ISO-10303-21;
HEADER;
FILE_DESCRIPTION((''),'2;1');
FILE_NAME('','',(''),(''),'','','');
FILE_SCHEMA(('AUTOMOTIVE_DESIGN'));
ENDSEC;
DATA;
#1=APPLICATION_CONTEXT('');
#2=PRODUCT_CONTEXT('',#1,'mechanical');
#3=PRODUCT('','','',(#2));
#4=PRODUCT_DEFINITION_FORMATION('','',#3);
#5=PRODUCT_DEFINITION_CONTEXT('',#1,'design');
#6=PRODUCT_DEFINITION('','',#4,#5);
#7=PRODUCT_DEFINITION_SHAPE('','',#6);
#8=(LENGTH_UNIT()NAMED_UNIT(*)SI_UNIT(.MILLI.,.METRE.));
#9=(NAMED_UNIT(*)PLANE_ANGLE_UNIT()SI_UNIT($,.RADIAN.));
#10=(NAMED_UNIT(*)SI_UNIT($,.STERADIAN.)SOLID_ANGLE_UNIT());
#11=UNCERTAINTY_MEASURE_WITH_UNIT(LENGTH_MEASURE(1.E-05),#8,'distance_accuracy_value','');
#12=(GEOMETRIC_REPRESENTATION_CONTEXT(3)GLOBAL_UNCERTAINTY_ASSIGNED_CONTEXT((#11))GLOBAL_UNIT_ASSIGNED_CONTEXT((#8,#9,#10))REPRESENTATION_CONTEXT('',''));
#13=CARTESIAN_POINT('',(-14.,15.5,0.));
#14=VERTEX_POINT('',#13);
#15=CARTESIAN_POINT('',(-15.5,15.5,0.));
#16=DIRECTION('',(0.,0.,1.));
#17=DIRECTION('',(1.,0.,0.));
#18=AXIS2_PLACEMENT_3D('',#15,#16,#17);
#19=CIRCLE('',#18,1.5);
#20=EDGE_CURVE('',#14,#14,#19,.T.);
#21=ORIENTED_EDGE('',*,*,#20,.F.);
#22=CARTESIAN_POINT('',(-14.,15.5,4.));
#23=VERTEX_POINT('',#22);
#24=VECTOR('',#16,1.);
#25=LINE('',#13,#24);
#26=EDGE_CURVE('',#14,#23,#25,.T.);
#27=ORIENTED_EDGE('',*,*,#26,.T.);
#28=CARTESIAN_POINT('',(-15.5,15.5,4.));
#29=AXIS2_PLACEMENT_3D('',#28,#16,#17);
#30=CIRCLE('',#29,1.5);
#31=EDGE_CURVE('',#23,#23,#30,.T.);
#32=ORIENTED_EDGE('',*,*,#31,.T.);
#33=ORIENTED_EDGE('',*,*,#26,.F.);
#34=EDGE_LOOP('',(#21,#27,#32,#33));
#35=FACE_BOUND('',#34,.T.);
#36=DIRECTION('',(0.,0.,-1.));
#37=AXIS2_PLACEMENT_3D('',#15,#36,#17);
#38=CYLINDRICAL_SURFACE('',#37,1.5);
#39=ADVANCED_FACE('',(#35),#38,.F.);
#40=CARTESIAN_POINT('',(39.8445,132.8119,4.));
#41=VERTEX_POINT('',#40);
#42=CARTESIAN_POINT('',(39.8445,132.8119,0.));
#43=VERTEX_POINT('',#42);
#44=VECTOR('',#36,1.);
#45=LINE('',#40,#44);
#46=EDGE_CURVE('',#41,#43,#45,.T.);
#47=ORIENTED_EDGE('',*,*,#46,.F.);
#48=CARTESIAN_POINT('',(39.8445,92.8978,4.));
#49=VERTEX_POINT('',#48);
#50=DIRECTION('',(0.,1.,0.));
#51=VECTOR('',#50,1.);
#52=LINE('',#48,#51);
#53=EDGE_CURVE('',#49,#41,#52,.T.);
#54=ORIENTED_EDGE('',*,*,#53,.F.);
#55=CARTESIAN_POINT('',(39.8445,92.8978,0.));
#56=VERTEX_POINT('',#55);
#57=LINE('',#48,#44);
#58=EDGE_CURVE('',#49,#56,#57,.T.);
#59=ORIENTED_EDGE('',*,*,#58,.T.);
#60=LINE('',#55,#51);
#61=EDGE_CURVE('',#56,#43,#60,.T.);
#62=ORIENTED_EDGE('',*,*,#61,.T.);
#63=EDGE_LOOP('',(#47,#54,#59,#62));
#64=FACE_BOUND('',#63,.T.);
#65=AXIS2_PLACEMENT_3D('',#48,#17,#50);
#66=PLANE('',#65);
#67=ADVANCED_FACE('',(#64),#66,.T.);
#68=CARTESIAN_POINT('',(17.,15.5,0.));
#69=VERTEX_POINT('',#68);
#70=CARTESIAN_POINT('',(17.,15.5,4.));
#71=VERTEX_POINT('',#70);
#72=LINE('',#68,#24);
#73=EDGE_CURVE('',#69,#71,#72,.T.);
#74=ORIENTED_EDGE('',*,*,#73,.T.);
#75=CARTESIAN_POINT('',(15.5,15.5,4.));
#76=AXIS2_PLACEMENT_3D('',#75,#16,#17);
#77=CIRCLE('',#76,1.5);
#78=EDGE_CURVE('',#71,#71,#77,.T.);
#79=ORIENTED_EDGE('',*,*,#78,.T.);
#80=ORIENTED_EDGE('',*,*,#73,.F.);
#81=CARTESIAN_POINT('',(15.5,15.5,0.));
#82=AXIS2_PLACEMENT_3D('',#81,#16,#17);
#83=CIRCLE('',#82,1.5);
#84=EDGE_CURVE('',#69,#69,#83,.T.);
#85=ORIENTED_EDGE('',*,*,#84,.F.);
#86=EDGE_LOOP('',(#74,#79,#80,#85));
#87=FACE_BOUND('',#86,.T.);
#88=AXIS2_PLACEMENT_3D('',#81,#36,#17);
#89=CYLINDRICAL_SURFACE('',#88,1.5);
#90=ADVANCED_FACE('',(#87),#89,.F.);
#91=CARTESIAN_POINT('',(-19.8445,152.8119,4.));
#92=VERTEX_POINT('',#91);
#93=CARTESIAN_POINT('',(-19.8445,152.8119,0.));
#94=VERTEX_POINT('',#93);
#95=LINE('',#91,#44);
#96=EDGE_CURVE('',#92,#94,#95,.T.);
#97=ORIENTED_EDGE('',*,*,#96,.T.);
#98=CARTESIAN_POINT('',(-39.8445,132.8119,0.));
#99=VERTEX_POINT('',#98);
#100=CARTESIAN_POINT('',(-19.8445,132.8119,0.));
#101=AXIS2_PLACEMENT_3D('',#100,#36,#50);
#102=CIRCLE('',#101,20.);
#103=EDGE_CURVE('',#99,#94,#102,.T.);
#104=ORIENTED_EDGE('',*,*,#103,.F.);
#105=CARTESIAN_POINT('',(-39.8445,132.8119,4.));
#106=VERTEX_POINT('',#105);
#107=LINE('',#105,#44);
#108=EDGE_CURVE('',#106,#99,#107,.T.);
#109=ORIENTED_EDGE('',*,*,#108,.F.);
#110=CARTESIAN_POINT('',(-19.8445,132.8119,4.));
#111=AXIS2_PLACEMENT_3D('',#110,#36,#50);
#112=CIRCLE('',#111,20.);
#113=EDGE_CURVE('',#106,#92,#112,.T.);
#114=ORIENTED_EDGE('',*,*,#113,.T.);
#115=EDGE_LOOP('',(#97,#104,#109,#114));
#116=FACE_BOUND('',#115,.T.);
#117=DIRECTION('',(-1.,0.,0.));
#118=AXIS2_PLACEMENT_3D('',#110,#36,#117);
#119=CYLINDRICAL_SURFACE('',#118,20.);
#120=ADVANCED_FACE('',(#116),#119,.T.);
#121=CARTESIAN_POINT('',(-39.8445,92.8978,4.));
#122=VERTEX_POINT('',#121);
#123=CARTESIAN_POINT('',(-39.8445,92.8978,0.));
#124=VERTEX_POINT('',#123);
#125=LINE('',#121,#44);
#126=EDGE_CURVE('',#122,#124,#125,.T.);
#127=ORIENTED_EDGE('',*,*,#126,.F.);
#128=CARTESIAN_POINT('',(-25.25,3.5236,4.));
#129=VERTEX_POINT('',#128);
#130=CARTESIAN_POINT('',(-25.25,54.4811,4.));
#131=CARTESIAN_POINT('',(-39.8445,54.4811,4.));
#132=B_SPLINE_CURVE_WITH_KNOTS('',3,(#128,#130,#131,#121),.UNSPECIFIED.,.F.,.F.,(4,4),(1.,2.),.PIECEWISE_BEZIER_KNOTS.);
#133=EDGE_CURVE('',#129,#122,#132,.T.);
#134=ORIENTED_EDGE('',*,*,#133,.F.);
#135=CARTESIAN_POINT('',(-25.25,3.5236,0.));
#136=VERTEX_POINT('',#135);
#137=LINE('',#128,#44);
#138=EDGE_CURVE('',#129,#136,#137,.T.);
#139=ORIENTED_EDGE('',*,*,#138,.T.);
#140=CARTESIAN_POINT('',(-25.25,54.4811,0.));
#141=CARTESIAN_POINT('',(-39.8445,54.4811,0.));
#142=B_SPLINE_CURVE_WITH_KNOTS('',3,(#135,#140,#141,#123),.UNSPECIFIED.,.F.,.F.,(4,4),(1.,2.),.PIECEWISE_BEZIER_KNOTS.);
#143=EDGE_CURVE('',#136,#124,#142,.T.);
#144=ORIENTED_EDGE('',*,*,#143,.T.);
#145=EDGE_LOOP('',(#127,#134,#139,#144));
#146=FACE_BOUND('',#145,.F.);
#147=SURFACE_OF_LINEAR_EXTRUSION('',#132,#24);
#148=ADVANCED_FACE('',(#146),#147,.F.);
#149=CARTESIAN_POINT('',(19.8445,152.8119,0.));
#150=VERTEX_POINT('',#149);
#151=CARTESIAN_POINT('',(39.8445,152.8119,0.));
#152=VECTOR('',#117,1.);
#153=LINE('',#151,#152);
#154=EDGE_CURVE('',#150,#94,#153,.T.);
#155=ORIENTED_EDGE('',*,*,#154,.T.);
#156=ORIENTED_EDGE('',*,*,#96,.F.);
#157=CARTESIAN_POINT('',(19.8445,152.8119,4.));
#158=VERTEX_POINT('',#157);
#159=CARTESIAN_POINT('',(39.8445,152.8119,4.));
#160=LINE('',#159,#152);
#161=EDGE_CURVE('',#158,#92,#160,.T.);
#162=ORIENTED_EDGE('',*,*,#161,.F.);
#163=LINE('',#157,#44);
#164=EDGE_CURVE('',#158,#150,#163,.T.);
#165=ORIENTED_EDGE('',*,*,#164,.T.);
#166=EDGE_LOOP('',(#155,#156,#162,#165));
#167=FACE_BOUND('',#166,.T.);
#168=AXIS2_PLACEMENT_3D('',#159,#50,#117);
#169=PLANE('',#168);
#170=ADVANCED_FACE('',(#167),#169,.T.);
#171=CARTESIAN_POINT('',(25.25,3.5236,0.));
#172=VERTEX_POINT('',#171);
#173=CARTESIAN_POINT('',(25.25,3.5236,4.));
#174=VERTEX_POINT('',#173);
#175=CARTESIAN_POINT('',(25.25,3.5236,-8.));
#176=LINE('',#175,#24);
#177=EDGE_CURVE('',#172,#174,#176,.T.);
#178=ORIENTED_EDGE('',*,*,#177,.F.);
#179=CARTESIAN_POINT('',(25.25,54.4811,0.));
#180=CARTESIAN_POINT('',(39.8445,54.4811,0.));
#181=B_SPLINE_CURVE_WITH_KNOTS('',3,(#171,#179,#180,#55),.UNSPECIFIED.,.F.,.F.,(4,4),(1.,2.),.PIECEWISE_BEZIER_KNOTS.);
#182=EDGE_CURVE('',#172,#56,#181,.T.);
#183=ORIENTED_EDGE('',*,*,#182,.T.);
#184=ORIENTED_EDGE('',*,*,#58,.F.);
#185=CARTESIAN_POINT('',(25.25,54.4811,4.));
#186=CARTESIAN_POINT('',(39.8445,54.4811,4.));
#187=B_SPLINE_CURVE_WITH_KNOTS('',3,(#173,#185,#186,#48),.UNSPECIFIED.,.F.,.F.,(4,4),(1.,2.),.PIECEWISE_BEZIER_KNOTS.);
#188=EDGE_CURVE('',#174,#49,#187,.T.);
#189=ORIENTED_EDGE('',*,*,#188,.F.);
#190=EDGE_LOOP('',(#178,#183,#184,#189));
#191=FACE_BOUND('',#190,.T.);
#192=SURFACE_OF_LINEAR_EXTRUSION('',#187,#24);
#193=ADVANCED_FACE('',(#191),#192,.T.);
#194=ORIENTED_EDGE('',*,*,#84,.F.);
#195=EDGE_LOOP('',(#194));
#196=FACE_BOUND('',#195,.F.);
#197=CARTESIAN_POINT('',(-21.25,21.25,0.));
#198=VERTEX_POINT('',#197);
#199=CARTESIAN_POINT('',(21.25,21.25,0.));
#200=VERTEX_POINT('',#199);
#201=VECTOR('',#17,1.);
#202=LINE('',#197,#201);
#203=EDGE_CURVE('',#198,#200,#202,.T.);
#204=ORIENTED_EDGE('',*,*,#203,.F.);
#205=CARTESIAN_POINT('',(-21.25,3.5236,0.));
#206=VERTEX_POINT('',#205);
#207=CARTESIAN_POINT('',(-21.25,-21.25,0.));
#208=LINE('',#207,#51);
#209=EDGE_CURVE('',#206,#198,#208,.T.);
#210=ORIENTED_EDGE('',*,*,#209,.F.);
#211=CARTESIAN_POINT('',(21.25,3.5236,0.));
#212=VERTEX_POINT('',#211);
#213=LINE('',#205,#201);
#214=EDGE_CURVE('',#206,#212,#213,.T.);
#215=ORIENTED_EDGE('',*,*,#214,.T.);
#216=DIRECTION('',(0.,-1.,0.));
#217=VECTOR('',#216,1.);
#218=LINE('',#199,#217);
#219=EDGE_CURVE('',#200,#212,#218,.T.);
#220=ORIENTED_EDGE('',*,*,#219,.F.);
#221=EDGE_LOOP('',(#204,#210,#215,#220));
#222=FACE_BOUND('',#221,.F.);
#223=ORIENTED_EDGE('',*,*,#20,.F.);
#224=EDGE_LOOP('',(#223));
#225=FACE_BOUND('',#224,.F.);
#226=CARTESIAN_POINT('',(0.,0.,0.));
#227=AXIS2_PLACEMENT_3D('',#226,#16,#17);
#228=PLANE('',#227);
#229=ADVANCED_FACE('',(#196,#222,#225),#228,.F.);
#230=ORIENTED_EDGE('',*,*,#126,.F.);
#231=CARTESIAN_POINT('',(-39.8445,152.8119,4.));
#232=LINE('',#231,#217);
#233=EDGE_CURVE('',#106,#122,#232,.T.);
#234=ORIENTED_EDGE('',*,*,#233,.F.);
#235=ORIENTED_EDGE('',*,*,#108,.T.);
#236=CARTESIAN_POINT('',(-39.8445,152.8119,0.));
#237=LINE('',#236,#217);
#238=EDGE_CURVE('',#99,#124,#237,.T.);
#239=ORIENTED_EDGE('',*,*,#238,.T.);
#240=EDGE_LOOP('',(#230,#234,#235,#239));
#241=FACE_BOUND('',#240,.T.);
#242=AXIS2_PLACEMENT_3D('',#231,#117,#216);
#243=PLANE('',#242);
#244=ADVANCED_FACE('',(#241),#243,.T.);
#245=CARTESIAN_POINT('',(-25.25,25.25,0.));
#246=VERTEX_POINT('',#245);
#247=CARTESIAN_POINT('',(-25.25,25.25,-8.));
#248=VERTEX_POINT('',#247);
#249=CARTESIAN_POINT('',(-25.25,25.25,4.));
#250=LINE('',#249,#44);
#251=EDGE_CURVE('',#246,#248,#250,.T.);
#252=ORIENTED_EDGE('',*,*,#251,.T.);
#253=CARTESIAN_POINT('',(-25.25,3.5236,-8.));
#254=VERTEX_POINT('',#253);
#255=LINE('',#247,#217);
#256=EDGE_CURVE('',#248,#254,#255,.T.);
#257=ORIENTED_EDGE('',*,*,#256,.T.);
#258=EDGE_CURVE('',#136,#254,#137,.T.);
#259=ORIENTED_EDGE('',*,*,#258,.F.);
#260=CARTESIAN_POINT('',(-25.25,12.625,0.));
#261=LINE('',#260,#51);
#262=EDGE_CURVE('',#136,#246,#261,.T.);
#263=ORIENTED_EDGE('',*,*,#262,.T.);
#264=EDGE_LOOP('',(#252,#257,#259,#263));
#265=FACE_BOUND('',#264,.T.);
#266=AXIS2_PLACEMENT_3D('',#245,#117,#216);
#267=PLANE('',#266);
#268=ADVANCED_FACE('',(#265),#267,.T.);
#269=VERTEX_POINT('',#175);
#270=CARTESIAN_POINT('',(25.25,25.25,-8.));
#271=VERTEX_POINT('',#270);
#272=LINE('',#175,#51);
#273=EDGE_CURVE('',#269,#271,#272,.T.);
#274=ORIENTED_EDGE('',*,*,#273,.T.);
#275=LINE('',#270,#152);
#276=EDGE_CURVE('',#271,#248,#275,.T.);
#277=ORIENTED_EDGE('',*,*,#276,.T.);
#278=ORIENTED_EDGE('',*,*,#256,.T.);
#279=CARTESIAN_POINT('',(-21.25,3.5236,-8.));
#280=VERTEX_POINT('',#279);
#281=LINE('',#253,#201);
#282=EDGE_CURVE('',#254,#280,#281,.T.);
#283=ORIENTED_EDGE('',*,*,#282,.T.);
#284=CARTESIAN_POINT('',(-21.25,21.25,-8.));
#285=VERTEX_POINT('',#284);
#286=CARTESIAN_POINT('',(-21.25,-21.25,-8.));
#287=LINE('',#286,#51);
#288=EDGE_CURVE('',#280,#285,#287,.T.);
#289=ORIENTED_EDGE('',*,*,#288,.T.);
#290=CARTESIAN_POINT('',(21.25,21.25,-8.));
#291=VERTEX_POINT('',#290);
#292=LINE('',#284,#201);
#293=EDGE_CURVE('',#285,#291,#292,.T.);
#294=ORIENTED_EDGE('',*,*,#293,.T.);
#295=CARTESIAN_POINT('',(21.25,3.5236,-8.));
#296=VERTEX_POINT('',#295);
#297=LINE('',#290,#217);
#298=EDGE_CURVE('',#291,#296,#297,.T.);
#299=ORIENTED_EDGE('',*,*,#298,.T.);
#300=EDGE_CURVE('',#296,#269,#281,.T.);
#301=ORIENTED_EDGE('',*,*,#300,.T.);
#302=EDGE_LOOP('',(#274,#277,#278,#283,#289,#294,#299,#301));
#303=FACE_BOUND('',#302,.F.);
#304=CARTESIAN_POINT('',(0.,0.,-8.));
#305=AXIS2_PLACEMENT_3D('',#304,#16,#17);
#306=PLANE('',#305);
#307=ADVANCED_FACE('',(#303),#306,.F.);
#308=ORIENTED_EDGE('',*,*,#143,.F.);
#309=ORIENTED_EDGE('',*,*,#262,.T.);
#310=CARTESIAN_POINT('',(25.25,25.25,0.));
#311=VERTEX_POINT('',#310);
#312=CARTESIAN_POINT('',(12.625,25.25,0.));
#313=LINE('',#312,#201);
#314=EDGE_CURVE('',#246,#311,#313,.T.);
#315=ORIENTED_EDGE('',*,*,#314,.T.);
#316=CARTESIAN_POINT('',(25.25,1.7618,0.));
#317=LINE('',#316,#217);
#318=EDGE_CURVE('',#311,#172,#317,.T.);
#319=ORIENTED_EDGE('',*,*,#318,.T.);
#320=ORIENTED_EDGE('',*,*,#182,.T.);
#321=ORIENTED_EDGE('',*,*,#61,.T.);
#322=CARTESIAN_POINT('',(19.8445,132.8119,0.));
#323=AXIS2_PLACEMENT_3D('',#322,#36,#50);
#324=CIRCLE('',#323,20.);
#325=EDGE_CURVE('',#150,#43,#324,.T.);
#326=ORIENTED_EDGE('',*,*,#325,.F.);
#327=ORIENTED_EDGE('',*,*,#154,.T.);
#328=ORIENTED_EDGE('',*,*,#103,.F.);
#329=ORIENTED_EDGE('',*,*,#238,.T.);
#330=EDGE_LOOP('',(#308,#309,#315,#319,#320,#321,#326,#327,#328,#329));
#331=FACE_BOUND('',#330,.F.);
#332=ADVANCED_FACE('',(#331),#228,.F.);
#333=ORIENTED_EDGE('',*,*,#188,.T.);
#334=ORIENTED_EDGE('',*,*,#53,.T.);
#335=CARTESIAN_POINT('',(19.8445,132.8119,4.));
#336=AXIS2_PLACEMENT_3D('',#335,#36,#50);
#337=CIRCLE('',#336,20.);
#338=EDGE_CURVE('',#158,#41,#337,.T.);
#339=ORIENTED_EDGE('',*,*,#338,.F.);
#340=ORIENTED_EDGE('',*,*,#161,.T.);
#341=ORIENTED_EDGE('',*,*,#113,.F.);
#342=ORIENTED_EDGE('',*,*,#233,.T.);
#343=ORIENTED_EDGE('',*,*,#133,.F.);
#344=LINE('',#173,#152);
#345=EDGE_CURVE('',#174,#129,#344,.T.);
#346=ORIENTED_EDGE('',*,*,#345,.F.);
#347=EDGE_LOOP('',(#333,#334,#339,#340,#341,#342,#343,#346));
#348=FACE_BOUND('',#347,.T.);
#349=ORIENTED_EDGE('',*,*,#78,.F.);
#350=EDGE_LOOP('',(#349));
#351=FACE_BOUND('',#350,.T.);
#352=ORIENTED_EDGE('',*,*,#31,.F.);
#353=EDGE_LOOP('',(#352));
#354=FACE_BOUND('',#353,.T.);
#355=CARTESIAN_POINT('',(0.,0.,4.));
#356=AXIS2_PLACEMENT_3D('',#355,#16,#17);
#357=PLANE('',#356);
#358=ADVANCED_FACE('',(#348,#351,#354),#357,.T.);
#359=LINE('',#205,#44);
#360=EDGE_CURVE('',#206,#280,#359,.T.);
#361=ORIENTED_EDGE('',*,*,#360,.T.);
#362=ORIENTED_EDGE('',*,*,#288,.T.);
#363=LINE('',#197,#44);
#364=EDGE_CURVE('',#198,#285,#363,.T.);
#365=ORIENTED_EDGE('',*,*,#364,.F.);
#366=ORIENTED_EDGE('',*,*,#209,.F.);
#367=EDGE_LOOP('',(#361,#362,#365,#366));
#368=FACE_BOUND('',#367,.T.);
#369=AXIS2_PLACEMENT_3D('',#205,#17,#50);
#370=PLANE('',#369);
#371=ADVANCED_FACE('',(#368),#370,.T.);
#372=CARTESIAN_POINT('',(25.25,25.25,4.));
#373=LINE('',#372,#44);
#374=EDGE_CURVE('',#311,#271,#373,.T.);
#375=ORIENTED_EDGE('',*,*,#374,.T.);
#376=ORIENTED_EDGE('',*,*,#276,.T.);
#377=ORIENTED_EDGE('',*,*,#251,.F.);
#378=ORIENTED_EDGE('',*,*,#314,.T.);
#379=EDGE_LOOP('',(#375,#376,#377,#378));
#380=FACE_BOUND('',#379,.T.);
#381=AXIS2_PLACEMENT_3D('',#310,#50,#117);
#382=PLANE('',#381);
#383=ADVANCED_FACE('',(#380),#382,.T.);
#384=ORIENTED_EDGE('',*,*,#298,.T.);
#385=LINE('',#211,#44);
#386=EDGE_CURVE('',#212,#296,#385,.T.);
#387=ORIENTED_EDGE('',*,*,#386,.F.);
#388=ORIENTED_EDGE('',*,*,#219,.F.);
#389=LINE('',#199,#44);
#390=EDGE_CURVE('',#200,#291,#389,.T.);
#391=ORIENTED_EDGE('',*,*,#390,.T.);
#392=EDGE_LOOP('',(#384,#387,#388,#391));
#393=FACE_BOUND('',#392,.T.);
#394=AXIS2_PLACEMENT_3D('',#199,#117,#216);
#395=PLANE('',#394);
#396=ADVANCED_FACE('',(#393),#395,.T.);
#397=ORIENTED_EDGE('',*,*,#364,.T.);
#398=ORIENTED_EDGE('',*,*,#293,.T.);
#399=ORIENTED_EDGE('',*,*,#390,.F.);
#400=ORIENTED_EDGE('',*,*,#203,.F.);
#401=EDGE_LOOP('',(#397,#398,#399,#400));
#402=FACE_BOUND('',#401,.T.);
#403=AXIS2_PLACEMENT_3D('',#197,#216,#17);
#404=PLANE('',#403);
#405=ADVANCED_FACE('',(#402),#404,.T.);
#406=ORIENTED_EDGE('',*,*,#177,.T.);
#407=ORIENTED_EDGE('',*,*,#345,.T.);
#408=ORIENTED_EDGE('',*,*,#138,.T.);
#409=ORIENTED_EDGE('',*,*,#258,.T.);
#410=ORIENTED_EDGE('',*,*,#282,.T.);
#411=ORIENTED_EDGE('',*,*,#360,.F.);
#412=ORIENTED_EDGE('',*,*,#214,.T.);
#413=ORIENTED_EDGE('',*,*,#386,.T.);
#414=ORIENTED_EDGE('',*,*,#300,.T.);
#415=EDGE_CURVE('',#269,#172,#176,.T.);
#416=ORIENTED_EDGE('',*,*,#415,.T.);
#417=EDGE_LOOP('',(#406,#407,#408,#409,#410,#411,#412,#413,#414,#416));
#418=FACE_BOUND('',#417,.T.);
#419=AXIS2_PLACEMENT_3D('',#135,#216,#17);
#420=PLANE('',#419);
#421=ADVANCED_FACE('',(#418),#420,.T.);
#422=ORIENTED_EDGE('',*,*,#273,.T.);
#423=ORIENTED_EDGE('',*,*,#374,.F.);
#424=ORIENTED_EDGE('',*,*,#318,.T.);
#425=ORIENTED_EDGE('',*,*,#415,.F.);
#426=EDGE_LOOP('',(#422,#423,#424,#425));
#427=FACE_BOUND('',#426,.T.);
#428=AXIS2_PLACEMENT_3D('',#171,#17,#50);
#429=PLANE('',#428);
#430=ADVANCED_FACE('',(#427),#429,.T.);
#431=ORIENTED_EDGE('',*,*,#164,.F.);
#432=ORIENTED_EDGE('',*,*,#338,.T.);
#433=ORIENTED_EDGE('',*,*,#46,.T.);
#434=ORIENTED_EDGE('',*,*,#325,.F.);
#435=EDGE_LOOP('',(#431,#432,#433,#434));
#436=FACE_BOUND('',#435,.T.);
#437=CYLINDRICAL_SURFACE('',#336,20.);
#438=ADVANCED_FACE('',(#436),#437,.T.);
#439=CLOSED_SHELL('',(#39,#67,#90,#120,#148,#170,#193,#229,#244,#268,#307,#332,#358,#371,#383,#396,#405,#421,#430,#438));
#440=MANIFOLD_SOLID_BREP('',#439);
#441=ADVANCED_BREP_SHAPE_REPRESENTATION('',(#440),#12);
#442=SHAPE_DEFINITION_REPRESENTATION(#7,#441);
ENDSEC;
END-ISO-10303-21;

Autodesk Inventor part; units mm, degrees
ref_plane "YZ Plane" through (0, 0, 0) normal (1, 0, 0) x (0, 1, 0)
ref_plane "XZ Plane" through (0, 0, 0) normal (0, 1, 0) x (-1, 0, 0)
ref_plane "XY Plane" through (0, 0, 0) normal (0, 0, 1) x (1, 0, 0)
sketch "Sketch1" plane through (0, 0, 0) normal (0, 0, 1) x (1, 0, 0)
  line L0 (-21.25, 21.25) -> (21.25, 21.25)
  line L1 (21.25, 21.25) -> (21.25, -21.25)
  line L2 (21.25, -21.25) -> (-21.25, -21.25)
  line L3 (-21.25, -21.25) -> (-21.25, 21.25)
  line L4 (-21.25, 21.25) -> (21.25, -21.25) construction
  line L5 (21.25, 21.25) -> (-21.25, -21.25) construction
  circle A0 centre (0, 0) radius 11 construction
  circle A1 centre (0, 0) radius 12.5
  line L6 (-25.25, 3.5236) -> (25.25, 3.5236)
  line L7 (25.25, 3.5236) -> (25.25, 25.25)
  line L8 (25.25, 25.25) -> (-25.25, 25.25)
  line L9 (-25.25, 25.25) -> (-25.25, 3.5236)
  circle A2 centre (-15.5, 15.5) radius 1.5
  circle A3 centre (15.5, 15.5) radius 1.5
  point P0 (21.25, 3.5236)
  point P1 (-21.25, 3.5236)
  dimension "d0" = 42.5
  dimension "d1" = 42.5
  dimension "d2" = 22
  dimension "d3" = 25
  dimension "d4" = 4
  dimension "d5" = 4
  dimension "d6" = 4
  dimension "d7" = 3
  dimension "d8" = 3
  dimension "d9" = 15.5
  dimension "d10" = 15.5
  dimension "d11" = 15.5
  dimension "d12" = 15.5
extrude "Extrusion1" add sketch "Sketch1" along normal blind 4 contours L3 L6 L9 L8 L7 L1 L0 | L0 L1 L6 A1 L3 | A1 L6 picked at (3.04, 5.1985)
extrude "Extrusion2" cut sketch "Sketch1" along normal blind 4 contours L6 A1 | A1 L6
extrude "Extrusion3" add sketch "Sketch1" against normal blind 8 contours L3 L6 L9 L8 L7 L1 L0
sketch "Sketch2" plane through (0, 0, 4) normal (0, 0, 1) x (1, 0, 0)
  circle A0 centre (0, 0) radius 40 construction
  line L0 (-25.25, 3.5236) -> (25.25, 3.5236) construction
  line L1 (-25.25, 3.5236) -> (-11.9931, 3.5236) projected
  line L2 (-25.25, 3.5236) -> (25.25, 3.5236)
  line L3 (39.8445, 92.8978) -> (39.8445, 152.8119)
  line L4 (39.8445, 152.8119) -> (-39.8445, 152.8119)
  line L5 (-39.8445, 152.8119) -> (-39.8445, 92.8978)
  circle A1 centre (-15.5, 15.5) radius 1.5 projected
  circle A2 centre (-15.5, 15.5) radius 1.5
  circle A3 centre (15.5, 15.5) radius 1.5 projected
  circle A4 centre (15.5, 15.5) radius 1.5
  line L6 (25.25, 54.4811) -> (25.25, 3.5236) projected
  line L7 (25.25, 54.4811) -> (25.25, -31.0232) construction
  line L8 (-25.25, 25.25) -> (-25.25, -31.0232) construction
  line L9 (25.25, 3.5236) -> (25.25, 54.4811) projected
  line L10 (25.25, 3.5236) -> (25.25, 54.4811) construction
  line L11 (25.25, 54.4811) -> (39.8445, 54.4811) construction
  line L12 (39.8445, 54.4811) -> (39.8445, 92.8978) construction
  spline S0 degree 3 poles (25.25, 3.5236) (25.25, 54.4811) (39.8445, 54.4811) (39.8445, 92.8978) knots 1 1 1 1 2 2 2 2
  line L13 (-25.25, 3.5236) -> (-25.25, 54.4811) construction
  line L14 (-25.25, 54.4811) -> (-39.8445, 54.4811) construction
  line L15 (-39.8445, 54.4811) -> (-39.8445, 92.8978) construction
  spline S1 degree 3 poles (-25.25, 3.5236) (-25.25, 54.4811) (-39.8445, 54.4811) (-39.8445, 92.8978) knots 1 1 1 1 2 2 2 2
  point P0 (-39.8445, 3.5236)
  point P1 (39.8445, 3.5236)
  dimension "d19" = 80
  dimension "d20" = 150
  dimension "d21" = 39.8445
extrude "Extrusion4" add sketch "Sketch2" against normal blind 4
fillet "Fillet1" radius 20 2 edges at (-39.8445, 152.8119, 2) (39.8445, 152.8119, 2)
equation "\"d1\" = d0"
equation "\"d5\" = d4"
equation "\"d6\" = d4"
equation "\"d8\" = d7"
equation "\"d11\" = d9"
equation "\"d12\" = d10"
properties part number "Sideplate"
